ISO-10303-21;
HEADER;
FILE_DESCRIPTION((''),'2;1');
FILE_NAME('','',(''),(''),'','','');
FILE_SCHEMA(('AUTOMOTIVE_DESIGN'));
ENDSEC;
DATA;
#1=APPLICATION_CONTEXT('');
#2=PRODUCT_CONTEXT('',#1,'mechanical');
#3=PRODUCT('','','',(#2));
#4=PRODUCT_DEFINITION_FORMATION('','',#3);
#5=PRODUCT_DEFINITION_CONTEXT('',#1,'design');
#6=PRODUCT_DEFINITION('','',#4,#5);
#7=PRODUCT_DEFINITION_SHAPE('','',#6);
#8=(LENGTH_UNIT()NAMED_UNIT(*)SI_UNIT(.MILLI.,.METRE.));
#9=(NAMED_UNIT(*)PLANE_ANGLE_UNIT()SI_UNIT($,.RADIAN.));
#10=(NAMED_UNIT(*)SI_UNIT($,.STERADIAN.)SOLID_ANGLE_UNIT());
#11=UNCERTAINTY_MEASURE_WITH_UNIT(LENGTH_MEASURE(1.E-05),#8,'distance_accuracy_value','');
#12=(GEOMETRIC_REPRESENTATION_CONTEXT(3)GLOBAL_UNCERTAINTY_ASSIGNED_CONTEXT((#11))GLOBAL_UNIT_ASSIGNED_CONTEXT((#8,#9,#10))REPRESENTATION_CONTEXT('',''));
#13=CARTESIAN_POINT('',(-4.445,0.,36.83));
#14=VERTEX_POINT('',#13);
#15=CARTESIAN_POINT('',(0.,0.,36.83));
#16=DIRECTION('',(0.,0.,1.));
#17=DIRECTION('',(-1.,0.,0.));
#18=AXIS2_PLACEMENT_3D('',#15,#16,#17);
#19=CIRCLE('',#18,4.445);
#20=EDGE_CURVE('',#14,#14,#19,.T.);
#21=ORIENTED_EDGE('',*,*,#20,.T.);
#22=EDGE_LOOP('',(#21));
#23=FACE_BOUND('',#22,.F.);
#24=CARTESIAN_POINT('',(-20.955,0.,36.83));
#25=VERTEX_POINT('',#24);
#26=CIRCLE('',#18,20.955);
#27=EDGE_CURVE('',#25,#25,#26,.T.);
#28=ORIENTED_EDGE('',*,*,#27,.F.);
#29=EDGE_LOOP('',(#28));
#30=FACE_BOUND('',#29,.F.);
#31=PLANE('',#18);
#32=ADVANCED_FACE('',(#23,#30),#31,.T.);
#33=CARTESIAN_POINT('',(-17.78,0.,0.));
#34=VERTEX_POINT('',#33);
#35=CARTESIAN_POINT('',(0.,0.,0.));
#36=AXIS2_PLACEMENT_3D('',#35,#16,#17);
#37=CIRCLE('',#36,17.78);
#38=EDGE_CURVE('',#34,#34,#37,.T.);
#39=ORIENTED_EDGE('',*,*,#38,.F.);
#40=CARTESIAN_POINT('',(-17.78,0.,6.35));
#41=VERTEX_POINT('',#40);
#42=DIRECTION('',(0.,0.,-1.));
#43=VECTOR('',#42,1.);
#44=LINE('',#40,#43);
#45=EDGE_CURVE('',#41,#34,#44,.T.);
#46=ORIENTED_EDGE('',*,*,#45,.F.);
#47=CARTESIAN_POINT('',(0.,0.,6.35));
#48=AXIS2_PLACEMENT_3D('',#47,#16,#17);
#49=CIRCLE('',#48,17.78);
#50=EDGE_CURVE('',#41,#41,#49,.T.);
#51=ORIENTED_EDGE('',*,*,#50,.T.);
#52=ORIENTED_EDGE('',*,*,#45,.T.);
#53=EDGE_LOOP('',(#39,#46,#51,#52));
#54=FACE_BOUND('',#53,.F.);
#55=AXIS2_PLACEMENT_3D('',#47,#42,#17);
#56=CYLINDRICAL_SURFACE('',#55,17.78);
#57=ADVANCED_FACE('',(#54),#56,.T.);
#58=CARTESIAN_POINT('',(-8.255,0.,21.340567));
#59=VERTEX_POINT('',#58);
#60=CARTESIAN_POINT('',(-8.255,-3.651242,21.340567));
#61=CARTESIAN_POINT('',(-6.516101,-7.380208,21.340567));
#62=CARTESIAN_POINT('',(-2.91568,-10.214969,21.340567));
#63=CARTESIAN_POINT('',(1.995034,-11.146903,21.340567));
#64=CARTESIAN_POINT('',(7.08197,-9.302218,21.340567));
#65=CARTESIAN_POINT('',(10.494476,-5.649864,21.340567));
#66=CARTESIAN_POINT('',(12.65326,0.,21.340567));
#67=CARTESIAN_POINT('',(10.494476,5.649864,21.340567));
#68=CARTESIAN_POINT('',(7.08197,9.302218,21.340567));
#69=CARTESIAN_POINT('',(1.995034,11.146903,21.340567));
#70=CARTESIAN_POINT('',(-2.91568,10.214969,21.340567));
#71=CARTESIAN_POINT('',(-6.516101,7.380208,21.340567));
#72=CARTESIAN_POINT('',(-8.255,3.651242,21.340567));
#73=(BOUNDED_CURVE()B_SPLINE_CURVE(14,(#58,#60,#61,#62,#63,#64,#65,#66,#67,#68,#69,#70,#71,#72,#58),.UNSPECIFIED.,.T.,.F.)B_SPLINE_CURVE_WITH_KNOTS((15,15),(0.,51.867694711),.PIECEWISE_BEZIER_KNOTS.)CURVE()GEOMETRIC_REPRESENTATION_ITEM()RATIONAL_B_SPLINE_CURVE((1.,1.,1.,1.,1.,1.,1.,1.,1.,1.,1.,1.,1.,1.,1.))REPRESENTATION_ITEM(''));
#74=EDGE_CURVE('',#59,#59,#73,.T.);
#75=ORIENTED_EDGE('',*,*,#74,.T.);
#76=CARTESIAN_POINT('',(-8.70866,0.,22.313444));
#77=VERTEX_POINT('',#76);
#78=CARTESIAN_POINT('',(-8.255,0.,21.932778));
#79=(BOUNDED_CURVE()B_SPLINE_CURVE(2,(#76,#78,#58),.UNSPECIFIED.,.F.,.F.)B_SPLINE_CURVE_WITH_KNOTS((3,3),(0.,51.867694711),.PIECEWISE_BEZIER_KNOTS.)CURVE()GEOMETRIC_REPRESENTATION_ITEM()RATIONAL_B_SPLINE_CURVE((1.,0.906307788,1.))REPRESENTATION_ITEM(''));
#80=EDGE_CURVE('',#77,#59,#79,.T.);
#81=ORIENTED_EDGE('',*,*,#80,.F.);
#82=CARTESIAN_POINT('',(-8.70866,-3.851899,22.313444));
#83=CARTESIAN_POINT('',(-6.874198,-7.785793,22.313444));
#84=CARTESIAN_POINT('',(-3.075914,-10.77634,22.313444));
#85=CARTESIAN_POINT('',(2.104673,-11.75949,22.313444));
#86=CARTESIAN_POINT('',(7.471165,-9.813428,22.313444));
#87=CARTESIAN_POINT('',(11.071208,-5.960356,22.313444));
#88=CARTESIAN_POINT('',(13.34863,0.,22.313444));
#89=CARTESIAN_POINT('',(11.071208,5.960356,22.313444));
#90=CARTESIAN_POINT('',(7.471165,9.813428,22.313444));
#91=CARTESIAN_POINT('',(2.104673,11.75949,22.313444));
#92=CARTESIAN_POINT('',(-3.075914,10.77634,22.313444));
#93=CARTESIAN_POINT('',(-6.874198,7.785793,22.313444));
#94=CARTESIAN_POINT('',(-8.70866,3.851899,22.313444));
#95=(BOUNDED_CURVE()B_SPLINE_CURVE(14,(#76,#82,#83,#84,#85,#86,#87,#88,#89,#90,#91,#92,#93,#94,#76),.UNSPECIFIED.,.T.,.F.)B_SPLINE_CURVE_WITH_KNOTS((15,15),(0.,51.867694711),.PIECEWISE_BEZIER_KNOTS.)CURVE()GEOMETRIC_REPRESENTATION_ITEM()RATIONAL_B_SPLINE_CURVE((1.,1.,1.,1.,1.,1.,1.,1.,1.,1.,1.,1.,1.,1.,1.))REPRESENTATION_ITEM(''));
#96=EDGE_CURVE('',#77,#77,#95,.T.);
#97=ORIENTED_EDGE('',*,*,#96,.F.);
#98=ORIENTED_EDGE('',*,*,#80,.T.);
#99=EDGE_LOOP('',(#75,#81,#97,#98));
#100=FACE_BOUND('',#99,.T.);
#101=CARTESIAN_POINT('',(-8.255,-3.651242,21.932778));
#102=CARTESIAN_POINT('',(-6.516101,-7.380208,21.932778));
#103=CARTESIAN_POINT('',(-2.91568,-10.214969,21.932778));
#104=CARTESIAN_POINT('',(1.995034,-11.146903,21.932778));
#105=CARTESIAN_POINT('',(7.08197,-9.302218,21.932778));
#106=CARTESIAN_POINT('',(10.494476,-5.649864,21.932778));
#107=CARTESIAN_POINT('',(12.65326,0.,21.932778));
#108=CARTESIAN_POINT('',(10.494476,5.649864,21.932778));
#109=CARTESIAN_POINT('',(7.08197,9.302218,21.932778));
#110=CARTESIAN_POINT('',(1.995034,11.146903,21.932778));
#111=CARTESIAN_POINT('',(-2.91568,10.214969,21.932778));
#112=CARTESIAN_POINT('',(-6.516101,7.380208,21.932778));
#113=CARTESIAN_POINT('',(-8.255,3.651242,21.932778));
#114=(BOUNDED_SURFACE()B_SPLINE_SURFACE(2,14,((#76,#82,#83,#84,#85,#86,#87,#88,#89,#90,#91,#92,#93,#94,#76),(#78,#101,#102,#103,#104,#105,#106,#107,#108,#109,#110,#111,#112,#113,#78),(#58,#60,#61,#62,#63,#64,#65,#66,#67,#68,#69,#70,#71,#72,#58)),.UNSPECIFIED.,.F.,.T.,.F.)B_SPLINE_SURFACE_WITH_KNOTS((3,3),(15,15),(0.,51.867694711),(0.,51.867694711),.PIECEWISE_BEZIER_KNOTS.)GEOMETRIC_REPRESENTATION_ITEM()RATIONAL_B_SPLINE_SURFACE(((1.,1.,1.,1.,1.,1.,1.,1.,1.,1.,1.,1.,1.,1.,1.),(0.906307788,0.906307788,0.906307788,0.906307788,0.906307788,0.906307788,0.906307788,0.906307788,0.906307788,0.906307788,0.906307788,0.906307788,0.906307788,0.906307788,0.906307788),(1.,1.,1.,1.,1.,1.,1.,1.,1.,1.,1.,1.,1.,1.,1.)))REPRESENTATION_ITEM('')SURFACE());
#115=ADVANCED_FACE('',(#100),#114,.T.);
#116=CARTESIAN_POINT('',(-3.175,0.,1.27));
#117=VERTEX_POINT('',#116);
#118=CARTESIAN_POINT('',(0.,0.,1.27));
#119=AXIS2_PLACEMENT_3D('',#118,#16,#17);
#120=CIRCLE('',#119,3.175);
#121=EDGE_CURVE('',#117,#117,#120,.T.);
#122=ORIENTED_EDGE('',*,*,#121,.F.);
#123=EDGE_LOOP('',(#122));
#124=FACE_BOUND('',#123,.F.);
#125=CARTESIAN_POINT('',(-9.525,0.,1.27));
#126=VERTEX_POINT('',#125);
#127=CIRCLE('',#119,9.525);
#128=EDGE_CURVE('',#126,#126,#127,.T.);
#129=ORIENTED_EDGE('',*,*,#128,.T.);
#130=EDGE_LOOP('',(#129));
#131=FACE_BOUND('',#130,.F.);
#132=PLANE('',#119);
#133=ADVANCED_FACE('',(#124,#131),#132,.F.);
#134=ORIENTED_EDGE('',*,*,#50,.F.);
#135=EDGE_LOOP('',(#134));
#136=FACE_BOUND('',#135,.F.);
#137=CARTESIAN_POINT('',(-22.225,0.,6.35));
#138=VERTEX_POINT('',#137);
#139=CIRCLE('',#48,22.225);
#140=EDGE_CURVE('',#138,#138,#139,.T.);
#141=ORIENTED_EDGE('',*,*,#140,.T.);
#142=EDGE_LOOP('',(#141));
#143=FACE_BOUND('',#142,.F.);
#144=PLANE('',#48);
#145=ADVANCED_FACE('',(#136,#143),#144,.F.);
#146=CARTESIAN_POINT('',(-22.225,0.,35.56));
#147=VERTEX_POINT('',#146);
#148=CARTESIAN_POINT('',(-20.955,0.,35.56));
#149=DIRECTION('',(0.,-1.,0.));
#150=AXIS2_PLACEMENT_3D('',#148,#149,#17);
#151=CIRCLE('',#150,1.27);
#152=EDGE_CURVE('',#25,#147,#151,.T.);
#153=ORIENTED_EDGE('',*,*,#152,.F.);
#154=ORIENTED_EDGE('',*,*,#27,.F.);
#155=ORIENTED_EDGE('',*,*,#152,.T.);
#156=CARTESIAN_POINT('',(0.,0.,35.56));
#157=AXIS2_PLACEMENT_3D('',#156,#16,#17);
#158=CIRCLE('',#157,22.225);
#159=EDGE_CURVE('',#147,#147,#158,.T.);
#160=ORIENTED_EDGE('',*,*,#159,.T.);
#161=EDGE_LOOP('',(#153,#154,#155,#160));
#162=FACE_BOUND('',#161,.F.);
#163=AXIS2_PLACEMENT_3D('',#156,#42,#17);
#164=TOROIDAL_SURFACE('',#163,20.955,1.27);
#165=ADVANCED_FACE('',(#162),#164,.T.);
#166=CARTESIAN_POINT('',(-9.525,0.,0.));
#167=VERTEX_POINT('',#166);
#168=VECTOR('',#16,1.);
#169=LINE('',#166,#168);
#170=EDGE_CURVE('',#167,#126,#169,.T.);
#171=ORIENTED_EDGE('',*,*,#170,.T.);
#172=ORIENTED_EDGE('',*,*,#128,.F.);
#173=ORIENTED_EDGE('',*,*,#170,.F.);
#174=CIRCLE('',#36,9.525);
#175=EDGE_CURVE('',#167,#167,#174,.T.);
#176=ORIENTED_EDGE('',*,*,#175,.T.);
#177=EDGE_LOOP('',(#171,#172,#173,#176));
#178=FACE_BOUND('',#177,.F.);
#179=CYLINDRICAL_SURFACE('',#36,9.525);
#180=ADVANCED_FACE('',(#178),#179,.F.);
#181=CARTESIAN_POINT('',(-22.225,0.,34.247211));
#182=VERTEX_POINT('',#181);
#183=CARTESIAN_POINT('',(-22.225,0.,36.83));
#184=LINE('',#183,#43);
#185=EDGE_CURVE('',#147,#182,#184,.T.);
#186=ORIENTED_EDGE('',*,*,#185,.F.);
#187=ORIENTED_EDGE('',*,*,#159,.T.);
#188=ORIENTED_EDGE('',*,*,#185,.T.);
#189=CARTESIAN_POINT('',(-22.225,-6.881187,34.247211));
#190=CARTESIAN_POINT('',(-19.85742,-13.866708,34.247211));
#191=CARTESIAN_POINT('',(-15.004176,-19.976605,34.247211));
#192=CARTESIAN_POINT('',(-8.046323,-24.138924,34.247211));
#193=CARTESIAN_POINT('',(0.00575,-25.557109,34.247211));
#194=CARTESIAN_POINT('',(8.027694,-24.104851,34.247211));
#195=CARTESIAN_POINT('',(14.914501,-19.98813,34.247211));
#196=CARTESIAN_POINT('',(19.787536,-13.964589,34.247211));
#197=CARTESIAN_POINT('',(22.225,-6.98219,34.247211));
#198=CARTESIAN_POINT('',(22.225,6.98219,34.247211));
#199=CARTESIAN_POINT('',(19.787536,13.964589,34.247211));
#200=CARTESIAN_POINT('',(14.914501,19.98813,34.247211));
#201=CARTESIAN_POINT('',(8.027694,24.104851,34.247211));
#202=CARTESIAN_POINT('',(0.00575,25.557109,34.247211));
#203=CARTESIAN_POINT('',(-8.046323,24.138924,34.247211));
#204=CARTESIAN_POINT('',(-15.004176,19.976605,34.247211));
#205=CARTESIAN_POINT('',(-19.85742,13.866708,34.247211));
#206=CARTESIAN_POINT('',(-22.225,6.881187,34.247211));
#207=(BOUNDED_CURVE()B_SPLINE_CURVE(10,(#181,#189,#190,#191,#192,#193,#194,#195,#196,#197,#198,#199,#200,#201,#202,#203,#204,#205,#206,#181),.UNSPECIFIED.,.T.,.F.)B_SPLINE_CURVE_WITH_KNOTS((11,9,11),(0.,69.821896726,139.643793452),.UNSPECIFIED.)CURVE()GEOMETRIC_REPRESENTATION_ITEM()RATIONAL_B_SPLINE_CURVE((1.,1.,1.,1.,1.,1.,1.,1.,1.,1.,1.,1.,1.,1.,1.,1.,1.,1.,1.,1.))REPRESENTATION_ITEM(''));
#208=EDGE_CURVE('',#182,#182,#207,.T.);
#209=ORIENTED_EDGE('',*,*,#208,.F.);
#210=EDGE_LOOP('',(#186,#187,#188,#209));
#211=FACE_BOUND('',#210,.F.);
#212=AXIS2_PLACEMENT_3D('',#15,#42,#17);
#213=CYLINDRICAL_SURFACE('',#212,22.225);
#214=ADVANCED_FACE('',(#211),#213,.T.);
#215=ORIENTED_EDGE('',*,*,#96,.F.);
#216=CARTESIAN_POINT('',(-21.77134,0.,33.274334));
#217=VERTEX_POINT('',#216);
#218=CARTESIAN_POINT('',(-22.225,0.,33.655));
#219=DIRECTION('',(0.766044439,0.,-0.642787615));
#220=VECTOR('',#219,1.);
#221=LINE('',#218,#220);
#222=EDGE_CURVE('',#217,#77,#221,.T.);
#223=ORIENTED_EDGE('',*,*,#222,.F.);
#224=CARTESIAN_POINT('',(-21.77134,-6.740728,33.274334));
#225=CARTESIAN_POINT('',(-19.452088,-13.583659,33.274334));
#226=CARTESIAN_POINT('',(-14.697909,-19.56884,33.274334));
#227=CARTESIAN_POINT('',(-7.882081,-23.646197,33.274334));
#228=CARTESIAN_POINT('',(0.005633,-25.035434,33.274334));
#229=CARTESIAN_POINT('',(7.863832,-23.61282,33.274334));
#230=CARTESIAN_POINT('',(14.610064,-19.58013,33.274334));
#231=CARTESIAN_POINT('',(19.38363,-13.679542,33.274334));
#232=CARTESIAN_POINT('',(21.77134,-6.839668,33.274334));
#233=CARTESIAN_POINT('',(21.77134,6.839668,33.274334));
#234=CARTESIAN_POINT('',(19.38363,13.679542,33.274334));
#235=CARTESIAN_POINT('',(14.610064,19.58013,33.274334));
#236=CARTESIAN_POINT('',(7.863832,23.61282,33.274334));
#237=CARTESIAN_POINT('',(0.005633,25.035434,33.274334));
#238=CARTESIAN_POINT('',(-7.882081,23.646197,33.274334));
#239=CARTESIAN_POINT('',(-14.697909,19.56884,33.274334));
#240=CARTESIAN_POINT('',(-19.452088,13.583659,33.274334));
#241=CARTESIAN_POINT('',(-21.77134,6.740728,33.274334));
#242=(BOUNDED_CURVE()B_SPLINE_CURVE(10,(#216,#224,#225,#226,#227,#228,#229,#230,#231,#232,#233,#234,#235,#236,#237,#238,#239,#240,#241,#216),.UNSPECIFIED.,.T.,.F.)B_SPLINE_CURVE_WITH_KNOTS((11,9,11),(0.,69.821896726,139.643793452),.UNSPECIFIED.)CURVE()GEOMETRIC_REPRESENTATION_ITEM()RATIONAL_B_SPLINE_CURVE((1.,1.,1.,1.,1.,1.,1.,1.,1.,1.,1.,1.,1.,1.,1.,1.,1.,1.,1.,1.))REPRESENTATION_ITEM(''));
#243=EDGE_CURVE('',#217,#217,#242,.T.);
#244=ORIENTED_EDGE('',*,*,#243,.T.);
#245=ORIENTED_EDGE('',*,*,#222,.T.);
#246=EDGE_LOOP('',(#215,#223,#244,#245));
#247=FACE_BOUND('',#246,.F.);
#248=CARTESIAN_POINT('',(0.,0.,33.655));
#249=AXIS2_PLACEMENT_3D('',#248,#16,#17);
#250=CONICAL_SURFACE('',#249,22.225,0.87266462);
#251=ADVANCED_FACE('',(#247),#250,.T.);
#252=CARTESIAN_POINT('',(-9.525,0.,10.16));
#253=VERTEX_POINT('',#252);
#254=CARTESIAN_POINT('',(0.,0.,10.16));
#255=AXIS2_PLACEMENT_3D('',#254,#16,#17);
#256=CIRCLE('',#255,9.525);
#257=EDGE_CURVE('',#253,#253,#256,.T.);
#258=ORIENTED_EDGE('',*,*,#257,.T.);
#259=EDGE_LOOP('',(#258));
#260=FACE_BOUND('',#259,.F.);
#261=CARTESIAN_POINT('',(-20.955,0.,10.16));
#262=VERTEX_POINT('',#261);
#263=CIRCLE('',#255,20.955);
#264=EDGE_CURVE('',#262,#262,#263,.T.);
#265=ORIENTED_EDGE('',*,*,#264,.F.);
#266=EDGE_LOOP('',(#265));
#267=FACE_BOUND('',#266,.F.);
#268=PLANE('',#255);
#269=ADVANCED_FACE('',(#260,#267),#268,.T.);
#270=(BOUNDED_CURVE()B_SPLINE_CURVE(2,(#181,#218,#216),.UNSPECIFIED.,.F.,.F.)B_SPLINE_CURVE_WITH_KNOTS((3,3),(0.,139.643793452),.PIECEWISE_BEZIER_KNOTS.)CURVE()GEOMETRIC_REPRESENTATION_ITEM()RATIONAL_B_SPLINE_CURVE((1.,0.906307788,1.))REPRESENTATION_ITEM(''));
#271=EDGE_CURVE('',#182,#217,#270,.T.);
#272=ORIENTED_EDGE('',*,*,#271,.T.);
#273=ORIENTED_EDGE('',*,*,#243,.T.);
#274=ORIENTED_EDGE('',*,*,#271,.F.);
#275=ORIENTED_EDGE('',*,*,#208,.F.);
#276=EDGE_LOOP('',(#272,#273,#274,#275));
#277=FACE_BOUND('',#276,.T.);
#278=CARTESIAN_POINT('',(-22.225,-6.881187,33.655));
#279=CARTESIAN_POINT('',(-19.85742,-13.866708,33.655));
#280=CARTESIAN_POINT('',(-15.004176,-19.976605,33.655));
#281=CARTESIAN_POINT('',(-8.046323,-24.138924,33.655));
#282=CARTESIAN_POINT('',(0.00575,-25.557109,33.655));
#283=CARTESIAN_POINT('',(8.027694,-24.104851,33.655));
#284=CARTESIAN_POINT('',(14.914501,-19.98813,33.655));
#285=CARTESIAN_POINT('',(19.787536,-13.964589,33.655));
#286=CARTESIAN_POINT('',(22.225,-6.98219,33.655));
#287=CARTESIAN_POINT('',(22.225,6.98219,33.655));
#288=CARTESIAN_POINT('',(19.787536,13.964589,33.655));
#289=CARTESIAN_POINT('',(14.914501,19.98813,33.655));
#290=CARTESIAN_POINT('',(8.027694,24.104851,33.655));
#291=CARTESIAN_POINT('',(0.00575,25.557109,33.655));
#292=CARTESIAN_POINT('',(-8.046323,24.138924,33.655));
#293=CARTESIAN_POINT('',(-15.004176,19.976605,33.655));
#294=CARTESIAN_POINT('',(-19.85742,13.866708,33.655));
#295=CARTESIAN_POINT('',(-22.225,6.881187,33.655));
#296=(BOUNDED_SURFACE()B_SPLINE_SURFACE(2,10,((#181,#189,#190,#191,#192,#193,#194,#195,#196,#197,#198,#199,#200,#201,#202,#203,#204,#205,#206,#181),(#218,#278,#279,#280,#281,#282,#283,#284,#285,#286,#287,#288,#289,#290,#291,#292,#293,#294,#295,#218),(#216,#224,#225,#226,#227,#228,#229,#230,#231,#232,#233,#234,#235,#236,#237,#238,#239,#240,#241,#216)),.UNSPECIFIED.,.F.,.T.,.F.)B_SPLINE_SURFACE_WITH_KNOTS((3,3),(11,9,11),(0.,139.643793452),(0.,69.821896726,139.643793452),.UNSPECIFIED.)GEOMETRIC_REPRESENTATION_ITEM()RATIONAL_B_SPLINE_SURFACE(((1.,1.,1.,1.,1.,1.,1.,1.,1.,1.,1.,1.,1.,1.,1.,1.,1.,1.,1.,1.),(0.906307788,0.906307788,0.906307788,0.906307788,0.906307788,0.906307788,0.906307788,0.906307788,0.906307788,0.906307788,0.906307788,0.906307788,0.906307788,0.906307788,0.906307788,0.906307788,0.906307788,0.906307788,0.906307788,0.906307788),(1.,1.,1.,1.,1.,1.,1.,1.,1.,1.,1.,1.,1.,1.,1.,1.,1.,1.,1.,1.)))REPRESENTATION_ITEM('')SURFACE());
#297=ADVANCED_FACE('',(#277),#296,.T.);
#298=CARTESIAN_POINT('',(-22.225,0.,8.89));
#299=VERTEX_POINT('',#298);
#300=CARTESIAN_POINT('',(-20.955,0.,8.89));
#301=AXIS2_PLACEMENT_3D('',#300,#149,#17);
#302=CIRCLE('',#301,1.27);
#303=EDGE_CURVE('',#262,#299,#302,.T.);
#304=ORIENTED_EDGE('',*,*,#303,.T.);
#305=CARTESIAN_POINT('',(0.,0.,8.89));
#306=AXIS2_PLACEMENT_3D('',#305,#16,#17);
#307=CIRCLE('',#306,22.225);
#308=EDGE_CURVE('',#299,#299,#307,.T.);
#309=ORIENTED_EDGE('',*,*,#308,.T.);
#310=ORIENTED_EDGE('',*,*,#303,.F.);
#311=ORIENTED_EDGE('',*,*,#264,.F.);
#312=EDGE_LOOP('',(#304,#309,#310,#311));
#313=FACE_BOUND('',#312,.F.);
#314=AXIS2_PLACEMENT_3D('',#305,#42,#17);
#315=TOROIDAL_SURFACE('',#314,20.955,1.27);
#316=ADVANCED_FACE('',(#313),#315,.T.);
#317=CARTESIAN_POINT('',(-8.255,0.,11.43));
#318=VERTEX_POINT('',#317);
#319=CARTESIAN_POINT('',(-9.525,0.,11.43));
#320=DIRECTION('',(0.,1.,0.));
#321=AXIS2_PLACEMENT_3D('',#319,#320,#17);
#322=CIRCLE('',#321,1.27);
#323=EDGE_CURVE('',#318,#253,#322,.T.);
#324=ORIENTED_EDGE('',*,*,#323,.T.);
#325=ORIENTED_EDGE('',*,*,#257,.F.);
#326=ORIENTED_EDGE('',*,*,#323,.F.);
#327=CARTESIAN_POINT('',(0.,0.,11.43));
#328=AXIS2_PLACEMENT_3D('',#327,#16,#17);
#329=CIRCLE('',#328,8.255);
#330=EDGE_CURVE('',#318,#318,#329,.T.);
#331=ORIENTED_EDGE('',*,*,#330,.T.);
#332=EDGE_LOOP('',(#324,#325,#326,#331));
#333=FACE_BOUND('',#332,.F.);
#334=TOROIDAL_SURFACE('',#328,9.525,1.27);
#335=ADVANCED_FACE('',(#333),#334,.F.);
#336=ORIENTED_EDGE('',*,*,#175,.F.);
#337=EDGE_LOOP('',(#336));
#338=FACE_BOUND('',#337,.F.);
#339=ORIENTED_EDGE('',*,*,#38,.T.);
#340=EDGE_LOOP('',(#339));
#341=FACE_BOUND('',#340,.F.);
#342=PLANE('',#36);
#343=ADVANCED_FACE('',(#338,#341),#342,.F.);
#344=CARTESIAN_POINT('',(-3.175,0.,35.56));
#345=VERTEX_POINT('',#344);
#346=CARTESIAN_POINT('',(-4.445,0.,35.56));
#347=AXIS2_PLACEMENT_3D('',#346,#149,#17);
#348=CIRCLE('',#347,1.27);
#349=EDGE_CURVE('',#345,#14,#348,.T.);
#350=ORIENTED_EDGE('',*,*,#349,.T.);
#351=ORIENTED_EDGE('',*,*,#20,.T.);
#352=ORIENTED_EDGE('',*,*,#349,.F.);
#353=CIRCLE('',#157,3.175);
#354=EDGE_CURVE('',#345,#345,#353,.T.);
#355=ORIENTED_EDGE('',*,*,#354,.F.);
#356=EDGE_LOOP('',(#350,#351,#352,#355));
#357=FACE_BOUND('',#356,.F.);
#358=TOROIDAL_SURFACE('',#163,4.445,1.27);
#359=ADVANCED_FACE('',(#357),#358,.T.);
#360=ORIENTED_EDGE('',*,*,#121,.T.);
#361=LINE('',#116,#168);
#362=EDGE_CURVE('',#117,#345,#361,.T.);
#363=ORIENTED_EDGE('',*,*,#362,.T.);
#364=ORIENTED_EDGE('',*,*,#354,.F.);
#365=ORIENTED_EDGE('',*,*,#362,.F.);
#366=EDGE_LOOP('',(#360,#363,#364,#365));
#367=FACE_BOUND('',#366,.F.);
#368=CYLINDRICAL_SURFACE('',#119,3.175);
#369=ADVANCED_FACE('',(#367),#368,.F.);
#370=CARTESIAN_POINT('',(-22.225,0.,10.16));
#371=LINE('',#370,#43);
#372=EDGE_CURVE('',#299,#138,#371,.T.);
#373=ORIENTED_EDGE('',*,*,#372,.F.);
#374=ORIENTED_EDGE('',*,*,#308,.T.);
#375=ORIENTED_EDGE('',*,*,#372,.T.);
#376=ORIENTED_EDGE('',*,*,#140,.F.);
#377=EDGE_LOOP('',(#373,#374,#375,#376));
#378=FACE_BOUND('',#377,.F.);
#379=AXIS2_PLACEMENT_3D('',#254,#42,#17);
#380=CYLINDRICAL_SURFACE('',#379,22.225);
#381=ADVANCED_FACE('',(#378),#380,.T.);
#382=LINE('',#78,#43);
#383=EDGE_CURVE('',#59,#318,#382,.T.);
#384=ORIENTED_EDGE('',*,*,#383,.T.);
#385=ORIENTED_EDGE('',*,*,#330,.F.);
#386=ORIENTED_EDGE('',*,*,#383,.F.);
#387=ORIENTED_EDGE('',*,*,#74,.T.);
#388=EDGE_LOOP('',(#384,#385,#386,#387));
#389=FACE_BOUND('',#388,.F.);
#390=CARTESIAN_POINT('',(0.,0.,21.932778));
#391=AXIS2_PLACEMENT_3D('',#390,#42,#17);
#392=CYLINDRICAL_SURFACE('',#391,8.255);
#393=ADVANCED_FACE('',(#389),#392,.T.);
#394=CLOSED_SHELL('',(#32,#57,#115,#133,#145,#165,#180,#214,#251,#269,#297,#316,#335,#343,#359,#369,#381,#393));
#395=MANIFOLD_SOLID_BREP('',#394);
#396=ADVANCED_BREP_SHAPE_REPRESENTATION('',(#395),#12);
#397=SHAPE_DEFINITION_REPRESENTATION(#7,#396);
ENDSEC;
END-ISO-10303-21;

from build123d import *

# Parameters (mm, degrees)
F2_R = 1.27


with BuildPart() as f1:
    # F0 (on Front) → F1 (revolve)
    with BuildSketch(Plane.XZ):
        Polygon((-9.525, 1.27), (-3.175, 1.27), (-3.175, 36.83), (-22.225, 36.83), (-22.225, 33.655), (-8.255, 21.932778), (-8.255, 10.16), (-22.225, 10.16), (-22.225, 6.35), (-17.78, 6.35), (-17.78, 0), (-9.525, 0), align=None)
    revolve(axis=Axis((0, 0, 18.415), (0, 0, 1)))

    # F2
    f2_edges = [f1.edges().sort_by_distance(p)[0] for p in [
        (22.225, 0, 36.83),
        (22.225, 0, 33.655),
        (8.255, 0, 21.932778),
        (8.255, 0, 10.16),
        (22.225, 0, 10.16),
        (3.175, 0, 36.83),
    ]]
    fillet(f2_edges, radius=F2_R)


solid = f1.part
